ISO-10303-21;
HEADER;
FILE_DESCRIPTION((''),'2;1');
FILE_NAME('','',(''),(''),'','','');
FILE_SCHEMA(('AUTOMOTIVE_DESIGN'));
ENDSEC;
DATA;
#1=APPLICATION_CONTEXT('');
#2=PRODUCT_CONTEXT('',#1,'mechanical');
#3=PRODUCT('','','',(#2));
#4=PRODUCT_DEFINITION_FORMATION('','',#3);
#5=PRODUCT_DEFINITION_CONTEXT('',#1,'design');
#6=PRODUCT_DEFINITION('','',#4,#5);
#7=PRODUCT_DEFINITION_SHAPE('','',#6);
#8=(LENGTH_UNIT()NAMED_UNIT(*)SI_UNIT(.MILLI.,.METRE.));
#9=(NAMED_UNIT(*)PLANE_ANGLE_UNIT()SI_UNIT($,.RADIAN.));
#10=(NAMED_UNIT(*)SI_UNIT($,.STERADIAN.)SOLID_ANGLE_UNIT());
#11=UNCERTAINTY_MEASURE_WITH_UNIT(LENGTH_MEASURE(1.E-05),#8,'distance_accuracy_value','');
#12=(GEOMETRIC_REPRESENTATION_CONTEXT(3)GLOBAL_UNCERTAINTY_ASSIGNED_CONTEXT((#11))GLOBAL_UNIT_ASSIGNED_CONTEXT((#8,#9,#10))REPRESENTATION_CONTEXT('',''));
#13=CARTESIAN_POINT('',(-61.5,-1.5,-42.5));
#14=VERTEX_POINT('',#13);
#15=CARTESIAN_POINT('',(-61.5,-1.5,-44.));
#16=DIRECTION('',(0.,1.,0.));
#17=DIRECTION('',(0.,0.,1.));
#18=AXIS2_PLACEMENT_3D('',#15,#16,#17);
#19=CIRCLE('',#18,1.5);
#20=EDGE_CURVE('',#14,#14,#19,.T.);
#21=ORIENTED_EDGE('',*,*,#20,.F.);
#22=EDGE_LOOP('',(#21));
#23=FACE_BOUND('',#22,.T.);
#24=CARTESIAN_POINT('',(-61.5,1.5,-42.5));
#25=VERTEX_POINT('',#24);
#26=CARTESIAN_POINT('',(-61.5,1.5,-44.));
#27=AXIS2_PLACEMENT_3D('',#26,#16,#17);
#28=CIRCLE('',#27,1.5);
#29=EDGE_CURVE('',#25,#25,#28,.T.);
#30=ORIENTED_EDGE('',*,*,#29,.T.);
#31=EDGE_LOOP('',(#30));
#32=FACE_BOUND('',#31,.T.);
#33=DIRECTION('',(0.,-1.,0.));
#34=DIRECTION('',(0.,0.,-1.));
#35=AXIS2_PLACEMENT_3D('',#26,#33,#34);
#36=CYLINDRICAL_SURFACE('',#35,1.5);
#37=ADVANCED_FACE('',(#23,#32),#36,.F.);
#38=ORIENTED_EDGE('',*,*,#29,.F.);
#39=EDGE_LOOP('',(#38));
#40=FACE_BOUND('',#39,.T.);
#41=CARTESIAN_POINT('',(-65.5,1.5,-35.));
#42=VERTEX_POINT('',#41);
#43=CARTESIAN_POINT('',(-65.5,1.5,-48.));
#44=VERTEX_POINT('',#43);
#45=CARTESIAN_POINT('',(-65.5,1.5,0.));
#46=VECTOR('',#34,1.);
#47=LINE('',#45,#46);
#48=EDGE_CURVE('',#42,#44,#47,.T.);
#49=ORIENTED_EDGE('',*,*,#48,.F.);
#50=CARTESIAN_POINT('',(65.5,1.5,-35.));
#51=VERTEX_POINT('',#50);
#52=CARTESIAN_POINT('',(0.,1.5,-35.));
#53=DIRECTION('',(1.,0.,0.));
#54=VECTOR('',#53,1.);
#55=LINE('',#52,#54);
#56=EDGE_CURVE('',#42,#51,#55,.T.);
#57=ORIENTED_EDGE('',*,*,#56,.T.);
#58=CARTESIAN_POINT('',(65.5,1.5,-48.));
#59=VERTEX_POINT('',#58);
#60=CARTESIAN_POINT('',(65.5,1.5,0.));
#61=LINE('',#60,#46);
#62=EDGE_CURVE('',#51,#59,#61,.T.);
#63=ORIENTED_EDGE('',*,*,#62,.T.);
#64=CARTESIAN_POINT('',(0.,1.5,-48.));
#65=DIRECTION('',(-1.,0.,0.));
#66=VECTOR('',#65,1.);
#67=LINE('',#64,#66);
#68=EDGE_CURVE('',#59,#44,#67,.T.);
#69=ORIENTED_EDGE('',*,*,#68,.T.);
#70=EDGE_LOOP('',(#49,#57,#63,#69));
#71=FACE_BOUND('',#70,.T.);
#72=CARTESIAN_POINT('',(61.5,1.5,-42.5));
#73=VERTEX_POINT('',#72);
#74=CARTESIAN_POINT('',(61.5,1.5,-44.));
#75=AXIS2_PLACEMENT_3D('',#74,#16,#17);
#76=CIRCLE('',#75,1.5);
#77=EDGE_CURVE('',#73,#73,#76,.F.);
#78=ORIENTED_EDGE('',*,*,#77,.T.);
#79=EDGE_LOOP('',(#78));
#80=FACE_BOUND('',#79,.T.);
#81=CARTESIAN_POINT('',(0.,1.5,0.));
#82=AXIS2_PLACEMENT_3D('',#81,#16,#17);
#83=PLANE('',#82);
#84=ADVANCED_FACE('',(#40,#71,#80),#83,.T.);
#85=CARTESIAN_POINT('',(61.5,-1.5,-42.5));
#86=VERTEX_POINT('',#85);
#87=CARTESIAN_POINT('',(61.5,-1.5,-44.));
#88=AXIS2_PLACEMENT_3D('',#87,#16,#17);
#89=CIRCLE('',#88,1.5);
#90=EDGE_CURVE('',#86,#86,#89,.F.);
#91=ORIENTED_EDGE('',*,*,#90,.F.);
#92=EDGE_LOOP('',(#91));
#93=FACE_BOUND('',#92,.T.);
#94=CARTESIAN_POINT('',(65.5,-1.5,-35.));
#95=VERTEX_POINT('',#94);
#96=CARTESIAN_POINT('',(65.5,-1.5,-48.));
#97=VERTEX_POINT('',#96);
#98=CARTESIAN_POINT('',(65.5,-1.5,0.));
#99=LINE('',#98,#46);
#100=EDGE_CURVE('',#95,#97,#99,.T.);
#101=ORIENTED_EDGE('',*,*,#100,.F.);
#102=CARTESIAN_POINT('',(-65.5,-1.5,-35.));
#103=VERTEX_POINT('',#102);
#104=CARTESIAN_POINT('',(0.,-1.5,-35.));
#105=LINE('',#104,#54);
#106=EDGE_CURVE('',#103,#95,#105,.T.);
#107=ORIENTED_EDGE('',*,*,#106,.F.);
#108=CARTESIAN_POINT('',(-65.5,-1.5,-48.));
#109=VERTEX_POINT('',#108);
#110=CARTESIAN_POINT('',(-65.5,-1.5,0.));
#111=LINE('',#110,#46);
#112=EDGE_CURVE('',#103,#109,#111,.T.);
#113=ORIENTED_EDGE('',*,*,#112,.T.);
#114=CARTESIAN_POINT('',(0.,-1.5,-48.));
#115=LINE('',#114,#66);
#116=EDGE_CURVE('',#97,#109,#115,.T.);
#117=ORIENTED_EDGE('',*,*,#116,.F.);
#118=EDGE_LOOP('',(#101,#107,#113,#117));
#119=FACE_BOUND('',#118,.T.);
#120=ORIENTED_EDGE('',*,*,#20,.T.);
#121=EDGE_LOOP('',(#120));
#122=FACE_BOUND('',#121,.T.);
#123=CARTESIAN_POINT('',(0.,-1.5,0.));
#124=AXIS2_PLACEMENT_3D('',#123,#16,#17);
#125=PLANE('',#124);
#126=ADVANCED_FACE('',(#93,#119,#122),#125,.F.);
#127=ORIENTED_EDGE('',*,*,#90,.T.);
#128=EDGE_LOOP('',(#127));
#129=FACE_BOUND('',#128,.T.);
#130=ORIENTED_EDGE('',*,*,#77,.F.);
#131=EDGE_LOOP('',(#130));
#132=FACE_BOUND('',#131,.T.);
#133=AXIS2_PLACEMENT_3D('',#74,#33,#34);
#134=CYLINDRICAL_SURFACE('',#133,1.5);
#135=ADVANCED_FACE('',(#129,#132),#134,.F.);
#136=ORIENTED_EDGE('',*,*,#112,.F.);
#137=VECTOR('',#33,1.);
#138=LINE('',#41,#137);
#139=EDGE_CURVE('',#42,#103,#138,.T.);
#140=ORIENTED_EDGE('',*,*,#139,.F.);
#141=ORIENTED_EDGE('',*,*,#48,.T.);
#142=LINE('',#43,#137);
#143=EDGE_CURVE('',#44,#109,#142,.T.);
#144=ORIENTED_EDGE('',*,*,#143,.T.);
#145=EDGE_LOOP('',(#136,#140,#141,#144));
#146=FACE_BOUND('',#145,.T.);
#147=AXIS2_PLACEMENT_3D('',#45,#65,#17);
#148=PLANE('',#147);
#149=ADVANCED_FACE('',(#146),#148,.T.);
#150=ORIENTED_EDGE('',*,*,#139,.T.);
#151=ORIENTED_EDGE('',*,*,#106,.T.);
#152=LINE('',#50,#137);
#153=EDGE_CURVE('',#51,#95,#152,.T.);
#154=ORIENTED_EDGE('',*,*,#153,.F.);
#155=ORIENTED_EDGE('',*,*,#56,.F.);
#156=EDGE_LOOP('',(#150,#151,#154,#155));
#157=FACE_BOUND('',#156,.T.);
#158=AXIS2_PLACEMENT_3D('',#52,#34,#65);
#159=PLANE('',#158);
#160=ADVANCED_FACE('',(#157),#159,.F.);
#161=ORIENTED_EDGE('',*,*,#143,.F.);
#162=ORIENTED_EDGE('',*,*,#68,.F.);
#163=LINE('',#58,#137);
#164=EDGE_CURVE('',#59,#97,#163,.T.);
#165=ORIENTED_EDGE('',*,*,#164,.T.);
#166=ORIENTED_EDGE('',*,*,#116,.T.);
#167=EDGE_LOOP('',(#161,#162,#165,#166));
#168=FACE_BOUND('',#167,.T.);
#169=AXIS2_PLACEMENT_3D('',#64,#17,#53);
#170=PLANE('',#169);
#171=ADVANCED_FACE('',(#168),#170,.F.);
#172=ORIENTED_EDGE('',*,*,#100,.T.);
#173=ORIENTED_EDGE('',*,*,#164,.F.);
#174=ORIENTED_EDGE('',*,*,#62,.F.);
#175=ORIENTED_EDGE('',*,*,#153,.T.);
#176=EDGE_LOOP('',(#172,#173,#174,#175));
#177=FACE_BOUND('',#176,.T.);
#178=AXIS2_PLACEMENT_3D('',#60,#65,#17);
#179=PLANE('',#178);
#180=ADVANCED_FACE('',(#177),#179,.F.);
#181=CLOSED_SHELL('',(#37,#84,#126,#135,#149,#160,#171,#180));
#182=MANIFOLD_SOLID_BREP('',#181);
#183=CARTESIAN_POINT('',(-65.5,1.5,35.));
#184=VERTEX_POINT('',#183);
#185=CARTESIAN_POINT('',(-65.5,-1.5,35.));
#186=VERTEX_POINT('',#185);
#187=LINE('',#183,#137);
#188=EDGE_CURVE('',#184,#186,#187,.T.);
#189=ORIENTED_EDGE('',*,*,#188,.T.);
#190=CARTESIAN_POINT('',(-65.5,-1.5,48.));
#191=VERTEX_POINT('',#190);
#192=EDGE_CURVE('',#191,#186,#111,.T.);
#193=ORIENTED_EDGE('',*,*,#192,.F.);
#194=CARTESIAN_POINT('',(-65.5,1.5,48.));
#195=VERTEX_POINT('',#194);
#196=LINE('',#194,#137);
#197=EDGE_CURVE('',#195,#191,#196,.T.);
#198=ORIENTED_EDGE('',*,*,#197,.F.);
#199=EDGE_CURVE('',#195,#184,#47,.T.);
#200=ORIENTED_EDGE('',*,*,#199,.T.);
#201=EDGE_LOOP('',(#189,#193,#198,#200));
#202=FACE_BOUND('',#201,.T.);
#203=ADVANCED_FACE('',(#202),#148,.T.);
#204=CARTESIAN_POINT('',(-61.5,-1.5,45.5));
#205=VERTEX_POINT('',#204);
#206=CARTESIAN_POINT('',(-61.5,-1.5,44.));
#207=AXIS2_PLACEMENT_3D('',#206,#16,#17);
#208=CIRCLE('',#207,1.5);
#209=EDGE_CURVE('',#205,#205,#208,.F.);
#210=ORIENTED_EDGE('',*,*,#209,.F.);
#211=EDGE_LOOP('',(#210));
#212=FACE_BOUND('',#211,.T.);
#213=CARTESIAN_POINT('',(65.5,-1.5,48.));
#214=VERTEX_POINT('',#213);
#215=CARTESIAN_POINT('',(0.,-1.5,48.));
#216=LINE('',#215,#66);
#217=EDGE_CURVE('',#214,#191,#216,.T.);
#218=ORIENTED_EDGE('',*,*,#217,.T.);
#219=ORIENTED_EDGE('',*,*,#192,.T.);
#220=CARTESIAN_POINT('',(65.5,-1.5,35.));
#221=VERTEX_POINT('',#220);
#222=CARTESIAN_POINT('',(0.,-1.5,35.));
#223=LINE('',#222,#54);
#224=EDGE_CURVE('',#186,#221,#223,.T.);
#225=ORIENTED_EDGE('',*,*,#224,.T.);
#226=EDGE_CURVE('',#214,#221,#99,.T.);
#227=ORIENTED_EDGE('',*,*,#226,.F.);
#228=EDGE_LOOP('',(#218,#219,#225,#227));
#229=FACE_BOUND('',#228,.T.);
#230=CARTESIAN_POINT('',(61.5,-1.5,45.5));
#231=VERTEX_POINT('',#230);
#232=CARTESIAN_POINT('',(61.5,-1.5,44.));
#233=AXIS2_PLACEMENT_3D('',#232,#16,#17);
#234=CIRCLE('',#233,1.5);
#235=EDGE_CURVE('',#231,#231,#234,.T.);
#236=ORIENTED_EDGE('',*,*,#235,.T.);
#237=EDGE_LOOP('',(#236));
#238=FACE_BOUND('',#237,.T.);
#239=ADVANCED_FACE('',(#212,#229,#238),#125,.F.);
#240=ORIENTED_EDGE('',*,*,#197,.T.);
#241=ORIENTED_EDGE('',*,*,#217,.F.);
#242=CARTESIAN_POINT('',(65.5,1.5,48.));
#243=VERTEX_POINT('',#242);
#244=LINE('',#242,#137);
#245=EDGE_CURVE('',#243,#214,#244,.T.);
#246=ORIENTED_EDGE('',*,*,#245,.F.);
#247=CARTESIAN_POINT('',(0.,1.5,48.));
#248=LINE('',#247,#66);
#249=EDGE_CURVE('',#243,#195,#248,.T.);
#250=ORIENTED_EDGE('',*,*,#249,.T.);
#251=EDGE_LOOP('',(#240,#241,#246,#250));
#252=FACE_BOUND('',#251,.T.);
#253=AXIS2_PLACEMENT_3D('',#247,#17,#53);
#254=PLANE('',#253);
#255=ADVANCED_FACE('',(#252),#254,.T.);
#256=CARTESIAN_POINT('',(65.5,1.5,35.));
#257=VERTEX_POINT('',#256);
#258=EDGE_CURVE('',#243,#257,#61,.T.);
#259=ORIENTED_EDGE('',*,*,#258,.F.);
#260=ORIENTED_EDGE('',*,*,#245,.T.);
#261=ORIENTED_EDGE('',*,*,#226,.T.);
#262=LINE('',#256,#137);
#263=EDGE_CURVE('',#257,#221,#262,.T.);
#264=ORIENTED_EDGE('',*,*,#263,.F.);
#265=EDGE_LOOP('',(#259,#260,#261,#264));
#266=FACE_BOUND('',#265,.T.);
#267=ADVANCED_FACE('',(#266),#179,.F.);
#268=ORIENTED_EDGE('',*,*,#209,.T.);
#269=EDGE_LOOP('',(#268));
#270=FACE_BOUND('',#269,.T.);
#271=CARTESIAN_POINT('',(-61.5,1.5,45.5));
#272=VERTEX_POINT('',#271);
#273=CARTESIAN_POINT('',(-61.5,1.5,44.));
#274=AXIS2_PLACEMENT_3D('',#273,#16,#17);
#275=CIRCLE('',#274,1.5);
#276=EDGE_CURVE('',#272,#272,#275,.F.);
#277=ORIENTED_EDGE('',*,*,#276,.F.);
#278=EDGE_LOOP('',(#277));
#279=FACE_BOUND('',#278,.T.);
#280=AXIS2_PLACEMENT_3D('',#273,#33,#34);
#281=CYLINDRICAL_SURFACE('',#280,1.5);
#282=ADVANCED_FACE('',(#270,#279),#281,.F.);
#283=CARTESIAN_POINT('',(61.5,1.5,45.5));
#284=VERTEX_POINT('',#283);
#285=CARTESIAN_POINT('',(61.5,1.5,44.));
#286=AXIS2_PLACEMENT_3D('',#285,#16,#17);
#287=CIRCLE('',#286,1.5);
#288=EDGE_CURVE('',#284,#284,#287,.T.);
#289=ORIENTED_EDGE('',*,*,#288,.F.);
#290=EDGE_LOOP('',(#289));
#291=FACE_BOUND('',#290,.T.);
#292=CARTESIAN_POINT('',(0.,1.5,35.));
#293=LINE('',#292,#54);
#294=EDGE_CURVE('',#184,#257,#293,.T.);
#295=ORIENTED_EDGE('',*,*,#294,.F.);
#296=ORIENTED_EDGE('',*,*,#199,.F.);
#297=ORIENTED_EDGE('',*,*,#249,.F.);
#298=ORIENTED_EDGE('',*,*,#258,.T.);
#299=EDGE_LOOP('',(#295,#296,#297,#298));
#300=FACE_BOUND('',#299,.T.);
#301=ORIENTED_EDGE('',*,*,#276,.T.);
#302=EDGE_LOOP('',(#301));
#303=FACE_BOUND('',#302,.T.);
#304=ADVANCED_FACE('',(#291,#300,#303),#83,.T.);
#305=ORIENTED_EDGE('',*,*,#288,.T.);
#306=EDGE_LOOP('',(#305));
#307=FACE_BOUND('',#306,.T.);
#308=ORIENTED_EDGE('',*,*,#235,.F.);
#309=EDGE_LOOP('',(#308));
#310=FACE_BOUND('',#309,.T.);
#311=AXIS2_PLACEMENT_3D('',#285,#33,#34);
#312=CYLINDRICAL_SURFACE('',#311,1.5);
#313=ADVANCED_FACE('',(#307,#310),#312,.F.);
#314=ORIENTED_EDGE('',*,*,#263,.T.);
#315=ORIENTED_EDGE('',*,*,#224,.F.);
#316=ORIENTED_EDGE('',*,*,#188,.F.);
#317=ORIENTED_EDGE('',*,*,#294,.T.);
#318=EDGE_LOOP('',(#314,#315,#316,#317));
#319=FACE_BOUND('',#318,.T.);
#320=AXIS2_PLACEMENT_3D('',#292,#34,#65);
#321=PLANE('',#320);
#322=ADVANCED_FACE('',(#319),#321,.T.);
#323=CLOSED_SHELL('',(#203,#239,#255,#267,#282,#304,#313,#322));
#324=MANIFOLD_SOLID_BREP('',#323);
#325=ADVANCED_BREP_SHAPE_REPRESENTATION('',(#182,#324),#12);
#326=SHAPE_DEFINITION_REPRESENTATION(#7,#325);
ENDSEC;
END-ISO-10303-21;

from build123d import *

# Parameters (mm, degrees)
SKETCH1_W             = 131
SKETCH1_H             = 13
SKETCH1_R             = 1.5
BOSS_EXTRUDE1_DEPTH   = 1.5
BOSS_EXTRUDE1_2_DEPTH = 1.5


with BuildPart() as part:
    # Sketch1 → Boss-Extrude1 (new, symmetric)
    with BuildSketch(Plane(origin=(0, 0, 0), x_dir=(1, 0, 0), z_dir=(0, 1, 0))):
        with Locations((0, -41.5)):
            Rectangle(SKETCH1_W, SKETCH1_H)
        with Locations(Location((-61.5, -44, 0), (0, 0, 270))):
            Circle(SKETCH1_R, mode=Mode.SUBTRACT)
        with Locations(Location((61.5, -44, 0), (0, 0, 270))):
            Circle(SKETCH1_R, mode=Mode.SUBTRACT)
    extrude(amount=BOSS_EXTRUDE1_DEPTH, both=True)


with BuildPart() as body_2:
    # Sketch1 → Boss-Extrude1 2 (new, symmetric)
    with BuildSketch(Plane(origin=(0, 0, 0), x_dir=(1, 0, 0), z_dir=(0, 1, 0))):
        with Locations((0, 41.5)):
            Rectangle(SKETCH1_W, SKETCH1_H)
        with Locations(Location((-61.5, 44, 0), (0, 0, 270))):
            Circle(SKETCH1_R, mode=Mode.SUBTRACT)
        with Locations(Location((61.5, 44, 0), (0, 0, 270))):
            Circle(SKETCH1_R, mode=Mode.SUBTRACT)
    extrude(amount=BOSS_EXTRUDE1_2_DEPTH, both=True)


solid = Compound([part.part, body_2.part])
